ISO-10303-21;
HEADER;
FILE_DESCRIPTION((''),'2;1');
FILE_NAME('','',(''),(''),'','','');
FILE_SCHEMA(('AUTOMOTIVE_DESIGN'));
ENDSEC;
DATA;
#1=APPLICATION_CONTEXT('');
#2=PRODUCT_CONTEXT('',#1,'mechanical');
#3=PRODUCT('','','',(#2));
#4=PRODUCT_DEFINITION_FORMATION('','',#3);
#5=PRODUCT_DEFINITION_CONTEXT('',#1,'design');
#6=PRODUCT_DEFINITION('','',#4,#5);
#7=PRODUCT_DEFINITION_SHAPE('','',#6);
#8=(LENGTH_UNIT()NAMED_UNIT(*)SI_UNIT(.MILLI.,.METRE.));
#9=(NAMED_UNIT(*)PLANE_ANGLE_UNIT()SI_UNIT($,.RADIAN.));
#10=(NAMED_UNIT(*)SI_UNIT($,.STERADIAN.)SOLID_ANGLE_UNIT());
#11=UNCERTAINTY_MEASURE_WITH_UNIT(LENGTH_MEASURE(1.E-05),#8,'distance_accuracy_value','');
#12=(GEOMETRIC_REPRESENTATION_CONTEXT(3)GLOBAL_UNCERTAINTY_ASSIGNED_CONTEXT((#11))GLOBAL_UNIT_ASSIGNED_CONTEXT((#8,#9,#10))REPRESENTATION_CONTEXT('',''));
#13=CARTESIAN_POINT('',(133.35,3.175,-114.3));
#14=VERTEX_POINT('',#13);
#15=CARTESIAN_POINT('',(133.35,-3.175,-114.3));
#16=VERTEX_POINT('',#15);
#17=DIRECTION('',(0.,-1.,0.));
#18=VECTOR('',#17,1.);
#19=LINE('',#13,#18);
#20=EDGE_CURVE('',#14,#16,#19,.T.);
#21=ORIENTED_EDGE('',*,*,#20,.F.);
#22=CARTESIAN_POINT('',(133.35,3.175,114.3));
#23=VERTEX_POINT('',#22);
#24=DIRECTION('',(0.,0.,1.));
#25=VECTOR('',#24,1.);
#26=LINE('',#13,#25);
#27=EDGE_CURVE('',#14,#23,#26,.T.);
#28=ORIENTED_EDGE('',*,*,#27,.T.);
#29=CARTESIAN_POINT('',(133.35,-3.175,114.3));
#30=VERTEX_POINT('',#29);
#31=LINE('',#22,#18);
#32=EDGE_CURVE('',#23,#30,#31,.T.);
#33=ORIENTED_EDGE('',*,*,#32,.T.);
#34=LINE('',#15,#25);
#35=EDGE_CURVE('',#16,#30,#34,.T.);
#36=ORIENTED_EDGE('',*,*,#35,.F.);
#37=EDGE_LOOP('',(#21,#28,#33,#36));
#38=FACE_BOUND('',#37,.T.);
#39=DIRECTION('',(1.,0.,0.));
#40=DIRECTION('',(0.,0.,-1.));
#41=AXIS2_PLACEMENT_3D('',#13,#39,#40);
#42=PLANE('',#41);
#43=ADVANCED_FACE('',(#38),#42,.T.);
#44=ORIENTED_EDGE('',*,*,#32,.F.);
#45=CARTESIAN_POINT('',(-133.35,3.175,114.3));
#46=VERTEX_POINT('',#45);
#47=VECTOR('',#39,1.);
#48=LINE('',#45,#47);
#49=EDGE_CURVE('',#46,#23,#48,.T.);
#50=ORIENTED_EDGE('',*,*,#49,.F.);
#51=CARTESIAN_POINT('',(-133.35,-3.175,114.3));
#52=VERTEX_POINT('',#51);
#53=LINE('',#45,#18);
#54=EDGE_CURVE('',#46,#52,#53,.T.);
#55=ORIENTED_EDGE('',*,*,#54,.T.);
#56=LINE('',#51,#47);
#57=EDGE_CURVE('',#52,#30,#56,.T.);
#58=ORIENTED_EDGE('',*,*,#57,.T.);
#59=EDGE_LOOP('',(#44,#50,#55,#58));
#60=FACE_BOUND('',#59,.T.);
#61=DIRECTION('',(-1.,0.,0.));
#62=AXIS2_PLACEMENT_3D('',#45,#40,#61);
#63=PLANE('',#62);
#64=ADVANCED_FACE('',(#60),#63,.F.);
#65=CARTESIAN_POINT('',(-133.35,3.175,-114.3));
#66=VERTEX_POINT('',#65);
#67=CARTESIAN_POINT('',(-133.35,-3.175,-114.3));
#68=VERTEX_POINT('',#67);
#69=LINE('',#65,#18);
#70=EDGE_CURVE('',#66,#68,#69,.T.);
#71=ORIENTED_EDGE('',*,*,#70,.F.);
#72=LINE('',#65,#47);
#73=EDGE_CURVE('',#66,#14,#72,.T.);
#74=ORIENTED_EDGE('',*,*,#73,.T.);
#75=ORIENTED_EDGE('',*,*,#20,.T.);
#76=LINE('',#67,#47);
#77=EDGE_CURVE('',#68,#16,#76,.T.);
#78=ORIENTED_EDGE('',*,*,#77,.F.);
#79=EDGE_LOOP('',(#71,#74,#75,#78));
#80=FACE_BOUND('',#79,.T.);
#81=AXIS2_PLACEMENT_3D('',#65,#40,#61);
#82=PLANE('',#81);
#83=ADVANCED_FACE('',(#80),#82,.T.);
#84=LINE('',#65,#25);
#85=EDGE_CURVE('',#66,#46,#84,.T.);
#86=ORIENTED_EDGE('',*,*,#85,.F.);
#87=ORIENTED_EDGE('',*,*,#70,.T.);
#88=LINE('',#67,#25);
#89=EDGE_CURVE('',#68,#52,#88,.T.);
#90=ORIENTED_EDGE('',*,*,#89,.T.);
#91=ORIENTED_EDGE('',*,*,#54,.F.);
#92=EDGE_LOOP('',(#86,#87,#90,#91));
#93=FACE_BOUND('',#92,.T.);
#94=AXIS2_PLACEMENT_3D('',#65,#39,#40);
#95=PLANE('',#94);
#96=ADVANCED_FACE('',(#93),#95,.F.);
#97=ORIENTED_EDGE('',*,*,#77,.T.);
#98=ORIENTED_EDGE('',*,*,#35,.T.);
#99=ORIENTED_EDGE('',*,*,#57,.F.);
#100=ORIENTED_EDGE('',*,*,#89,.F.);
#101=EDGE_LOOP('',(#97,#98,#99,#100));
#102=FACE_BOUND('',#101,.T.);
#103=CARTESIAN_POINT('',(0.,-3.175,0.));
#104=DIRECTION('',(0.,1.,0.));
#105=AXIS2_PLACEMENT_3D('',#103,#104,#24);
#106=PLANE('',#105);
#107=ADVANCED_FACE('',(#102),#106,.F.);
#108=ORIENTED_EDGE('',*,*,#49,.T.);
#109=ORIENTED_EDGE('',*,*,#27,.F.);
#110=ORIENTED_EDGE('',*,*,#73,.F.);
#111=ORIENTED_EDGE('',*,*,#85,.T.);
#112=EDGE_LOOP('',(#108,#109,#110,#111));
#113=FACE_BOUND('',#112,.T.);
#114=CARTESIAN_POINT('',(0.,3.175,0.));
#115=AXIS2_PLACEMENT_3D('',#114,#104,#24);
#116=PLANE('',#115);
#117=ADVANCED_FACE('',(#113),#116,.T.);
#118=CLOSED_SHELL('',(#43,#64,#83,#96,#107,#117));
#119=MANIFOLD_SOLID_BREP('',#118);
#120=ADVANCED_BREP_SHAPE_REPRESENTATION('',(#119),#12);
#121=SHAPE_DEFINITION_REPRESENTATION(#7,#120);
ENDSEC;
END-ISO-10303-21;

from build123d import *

# Parameters (mm, degrees)
SKETCH1_W           = 266.7
SKETCH1_H           = 228.6
BOSS_EXTRUDE1_DEPTH = 3.175


with BuildPart() as part:
    # Sketch1 → Boss-Extrude1 (new body, symmetric)
    with BuildSketch(Plane(origin=(0, 0, 0), x_dir=(1, 0, 0), z_dir=(0, 1, 0))):
        Rectangle(SKETCH1_W, SKETCH1_H)
    extrude(amount=BOSS_EXTRUDE1_DEPTH, both=True)


solid = part.part
